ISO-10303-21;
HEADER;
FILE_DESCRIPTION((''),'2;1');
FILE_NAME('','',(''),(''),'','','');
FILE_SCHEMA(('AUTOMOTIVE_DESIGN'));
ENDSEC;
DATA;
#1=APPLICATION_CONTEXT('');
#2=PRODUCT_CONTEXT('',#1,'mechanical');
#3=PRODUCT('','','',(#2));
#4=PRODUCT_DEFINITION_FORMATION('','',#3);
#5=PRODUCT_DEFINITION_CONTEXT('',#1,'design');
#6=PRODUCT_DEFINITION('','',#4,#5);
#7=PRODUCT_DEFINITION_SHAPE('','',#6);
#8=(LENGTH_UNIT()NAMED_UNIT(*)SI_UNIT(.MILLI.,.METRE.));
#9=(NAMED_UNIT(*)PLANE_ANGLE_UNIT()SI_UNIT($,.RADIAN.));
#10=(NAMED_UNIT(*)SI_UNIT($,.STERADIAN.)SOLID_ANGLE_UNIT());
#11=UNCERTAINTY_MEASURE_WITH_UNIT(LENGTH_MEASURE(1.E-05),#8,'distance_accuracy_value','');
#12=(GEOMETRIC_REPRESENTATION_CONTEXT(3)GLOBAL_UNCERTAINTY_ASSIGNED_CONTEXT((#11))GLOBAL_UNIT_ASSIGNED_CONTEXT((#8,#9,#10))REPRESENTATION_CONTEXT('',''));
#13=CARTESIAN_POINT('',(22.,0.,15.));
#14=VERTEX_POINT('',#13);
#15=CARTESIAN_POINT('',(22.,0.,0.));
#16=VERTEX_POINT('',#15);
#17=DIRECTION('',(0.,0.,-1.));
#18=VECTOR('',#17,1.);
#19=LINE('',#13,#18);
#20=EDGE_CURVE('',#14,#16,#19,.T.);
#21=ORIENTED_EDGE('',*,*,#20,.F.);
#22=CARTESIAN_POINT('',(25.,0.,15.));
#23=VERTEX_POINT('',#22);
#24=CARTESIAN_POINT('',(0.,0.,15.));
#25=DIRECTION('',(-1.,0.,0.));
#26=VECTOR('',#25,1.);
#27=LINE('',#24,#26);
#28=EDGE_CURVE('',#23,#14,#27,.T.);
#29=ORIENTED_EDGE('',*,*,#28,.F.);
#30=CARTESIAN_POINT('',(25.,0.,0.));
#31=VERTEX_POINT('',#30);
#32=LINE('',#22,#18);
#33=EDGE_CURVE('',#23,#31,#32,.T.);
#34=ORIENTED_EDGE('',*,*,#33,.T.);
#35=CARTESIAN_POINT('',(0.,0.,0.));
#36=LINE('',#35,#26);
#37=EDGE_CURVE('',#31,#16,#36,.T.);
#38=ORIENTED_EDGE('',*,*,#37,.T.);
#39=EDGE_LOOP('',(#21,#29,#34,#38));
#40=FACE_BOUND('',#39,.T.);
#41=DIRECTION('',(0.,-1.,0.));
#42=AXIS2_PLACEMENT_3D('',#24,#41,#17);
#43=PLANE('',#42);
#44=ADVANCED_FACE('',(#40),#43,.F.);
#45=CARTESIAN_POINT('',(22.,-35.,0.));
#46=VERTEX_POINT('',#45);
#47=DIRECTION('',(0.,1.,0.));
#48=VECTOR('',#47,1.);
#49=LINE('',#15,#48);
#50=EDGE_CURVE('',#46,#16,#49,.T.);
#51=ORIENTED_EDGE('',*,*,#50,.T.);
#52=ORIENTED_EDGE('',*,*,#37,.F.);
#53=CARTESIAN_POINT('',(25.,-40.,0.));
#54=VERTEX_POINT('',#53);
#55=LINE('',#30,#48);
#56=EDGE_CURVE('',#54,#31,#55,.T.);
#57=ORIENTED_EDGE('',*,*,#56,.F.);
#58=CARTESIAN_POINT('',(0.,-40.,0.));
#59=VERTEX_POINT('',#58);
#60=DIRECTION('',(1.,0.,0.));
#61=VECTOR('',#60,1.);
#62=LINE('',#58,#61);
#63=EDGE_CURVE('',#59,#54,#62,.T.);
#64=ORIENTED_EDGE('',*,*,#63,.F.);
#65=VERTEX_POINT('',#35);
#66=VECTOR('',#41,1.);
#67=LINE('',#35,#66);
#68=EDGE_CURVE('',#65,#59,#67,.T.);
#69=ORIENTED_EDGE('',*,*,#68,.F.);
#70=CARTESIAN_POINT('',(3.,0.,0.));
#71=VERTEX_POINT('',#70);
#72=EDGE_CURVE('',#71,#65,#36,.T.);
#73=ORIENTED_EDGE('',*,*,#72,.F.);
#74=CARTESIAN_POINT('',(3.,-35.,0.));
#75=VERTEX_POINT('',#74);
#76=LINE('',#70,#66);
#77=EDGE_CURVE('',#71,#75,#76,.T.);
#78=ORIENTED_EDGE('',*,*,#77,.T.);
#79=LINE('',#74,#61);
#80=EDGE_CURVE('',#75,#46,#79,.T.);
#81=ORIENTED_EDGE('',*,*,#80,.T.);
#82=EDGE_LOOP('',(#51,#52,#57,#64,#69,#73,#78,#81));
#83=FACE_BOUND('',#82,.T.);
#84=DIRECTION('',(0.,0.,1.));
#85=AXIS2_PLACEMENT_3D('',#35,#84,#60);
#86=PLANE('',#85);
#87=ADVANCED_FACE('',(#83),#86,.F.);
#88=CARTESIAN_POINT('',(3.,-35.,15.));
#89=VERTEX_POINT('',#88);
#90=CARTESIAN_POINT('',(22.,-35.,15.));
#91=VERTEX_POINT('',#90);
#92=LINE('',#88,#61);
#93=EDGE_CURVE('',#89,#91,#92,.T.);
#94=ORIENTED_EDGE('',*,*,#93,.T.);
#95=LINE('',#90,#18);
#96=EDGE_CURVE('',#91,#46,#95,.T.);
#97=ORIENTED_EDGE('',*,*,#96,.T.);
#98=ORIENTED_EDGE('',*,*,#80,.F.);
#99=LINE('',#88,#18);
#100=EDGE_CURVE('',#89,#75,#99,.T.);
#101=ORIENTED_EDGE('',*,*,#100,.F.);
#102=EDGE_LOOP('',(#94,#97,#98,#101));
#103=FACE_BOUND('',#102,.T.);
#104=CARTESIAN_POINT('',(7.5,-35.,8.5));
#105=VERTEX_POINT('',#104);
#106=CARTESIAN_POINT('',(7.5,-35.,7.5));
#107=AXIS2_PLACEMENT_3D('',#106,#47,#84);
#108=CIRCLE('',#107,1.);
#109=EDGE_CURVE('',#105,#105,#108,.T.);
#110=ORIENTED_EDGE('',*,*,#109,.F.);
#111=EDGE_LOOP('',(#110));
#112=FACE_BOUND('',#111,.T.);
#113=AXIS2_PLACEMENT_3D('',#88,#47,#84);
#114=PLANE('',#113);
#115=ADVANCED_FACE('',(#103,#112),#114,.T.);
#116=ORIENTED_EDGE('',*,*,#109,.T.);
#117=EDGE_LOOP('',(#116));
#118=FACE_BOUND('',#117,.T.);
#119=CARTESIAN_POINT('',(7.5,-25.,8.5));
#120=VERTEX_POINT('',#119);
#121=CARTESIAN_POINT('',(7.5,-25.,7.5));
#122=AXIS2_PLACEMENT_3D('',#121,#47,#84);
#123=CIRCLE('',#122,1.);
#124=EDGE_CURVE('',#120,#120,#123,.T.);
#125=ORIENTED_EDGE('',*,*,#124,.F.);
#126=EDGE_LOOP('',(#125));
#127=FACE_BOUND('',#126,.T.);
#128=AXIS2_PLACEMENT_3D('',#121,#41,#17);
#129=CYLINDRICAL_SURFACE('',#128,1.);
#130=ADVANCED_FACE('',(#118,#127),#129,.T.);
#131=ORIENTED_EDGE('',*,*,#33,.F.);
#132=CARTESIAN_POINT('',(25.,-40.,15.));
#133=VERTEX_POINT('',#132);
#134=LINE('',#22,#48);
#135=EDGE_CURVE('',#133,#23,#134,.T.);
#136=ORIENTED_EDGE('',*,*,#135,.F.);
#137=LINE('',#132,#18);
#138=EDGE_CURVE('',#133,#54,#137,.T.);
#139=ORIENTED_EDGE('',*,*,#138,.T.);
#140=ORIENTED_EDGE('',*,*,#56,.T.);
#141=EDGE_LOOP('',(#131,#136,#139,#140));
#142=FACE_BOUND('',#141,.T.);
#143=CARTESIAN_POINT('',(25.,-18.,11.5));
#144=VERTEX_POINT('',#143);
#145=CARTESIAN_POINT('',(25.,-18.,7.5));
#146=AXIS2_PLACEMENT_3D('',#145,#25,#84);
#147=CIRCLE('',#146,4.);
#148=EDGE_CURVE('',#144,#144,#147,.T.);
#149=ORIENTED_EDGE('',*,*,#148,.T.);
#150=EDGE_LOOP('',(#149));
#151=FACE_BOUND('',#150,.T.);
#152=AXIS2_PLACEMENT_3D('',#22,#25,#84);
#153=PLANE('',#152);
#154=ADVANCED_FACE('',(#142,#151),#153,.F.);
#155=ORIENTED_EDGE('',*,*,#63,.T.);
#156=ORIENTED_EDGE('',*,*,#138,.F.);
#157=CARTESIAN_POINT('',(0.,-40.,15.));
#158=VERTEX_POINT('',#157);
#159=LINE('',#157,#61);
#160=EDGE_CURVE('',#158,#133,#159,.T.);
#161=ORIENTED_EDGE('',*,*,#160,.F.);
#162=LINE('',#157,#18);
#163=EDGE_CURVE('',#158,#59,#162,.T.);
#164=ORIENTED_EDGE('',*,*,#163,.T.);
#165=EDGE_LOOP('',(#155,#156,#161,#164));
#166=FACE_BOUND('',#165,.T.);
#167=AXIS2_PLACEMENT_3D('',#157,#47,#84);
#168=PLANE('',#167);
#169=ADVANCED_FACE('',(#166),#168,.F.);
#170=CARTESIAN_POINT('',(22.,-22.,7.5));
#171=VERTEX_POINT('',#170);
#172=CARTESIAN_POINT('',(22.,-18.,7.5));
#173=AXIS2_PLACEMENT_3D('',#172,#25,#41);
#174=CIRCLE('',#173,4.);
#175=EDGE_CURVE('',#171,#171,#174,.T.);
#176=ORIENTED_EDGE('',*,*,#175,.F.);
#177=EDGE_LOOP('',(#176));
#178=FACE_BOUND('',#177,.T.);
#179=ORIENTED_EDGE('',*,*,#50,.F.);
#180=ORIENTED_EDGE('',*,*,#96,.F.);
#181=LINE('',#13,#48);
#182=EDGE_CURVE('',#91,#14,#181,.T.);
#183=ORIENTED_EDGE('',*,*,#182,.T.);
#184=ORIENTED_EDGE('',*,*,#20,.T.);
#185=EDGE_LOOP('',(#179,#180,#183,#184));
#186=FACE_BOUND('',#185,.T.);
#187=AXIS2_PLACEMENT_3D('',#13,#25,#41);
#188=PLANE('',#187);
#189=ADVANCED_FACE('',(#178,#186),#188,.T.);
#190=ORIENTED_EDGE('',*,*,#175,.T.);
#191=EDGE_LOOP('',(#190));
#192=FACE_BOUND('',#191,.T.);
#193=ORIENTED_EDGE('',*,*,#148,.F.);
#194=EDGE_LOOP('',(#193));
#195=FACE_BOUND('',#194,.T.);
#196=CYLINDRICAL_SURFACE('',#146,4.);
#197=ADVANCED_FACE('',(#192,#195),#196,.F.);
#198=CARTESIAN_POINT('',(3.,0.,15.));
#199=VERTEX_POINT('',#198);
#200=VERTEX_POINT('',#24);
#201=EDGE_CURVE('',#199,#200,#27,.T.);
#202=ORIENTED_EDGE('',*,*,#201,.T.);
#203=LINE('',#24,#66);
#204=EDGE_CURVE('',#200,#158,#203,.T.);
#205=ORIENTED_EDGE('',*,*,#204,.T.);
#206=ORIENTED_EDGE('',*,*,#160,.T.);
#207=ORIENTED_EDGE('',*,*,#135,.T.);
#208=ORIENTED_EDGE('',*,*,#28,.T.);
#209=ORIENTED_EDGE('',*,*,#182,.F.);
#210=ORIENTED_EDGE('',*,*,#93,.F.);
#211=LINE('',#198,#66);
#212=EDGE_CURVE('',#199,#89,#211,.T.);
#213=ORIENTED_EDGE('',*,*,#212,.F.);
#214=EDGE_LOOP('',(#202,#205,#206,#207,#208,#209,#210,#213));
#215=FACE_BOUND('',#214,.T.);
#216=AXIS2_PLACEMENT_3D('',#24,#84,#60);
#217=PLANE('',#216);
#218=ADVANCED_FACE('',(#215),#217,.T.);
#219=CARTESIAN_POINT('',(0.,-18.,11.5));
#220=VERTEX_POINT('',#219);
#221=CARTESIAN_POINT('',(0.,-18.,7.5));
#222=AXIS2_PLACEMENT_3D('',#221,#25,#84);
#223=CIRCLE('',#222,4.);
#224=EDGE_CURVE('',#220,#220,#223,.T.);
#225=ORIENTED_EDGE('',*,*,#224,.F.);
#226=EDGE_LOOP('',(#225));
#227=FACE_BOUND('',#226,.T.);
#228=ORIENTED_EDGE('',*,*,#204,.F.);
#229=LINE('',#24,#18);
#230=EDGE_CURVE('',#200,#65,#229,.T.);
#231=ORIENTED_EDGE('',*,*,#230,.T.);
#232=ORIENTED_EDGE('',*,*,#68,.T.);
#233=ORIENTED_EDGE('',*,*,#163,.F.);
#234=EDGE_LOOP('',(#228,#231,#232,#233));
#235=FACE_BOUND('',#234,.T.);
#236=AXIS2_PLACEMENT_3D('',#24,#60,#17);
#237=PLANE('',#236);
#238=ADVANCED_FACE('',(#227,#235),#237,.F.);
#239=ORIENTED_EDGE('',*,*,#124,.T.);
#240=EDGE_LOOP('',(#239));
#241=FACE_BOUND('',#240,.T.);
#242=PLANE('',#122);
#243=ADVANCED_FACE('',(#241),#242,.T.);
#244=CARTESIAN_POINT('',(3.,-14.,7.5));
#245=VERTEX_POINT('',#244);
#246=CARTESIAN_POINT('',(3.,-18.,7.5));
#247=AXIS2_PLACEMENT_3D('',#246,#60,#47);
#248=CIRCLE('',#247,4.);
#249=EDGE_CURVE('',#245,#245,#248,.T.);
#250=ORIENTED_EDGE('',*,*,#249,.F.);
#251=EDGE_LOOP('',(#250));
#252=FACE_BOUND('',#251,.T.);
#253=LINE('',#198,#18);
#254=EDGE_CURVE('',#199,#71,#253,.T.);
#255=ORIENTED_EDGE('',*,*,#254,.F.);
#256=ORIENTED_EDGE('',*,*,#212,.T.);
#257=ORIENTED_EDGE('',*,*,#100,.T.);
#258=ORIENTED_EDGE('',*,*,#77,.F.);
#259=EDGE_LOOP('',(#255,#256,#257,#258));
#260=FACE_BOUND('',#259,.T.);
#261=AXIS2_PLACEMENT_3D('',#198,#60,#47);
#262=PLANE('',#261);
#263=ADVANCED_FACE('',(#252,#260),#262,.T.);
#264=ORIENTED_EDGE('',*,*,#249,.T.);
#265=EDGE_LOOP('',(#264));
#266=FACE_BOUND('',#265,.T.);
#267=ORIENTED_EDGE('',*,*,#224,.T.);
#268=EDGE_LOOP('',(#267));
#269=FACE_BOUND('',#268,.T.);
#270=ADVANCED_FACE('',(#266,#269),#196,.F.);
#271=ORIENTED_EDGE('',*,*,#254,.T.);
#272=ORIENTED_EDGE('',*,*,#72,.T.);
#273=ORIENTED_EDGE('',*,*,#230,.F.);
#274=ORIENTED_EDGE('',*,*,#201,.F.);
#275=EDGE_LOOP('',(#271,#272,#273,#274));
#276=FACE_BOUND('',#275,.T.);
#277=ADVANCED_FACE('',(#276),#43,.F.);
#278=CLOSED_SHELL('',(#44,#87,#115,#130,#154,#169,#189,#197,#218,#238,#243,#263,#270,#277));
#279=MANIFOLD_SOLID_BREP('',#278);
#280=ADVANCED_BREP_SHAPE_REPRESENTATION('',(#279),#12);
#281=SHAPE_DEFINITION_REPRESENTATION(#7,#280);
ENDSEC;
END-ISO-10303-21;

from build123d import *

# Parameters (mm, degrees)
ESQUISSE1_W             = 25
ESQUISSE1_H             = 40
BOSS_EXTRU_2_DEPTH      = 15
ESQUISSE3_W             = 19
ESQUISSE3_H             = 35
ENL_V_MAT_EXTRU_4_DEPTH = 16
ESQUISSE4_R             = 1
BOSS_EXTRU_3_DEPTH      = 10
ESQUISSE5_R             = 4
ENL_V_MAT_EXTRU_5_DEPTH = 26


with BuildPart() as part:
    # Esquisse1 → Boss.-Extru.2 (new body)
    with BuildSketch(Plane.XY):
        with Locations((12.5, -20)):
            Rectangle(ESQUISSE1_W, ESQUISSE1_H)
    extrude(amount=BOSS_EXTRU_2_DEPTH)

    # Esquisse3 → Enlèv. mat.-Extru.4 (cut, through all)
    with BuildSketch(Plane.XY):
        with Locations((12.5, -17.5)):
            Rectangle(ESQUISSE3_W, ESQUISSE3_H)
    extrude(amount=ENL_V_MAT_EXTRU_4_DEPTH, mode=Mode.SUBTRACT)

    # Esquisse4 → Boss.-Extru.3 (add)
    with BuildSketch(Plane(origin=(0, -35, 0), x_dir=(1, 0, 0), z_dir=(0, 1, 0))):
        with Locations((7.5, -7.5)):
            Circle(ESQUISSE4_R)
    extrude(amount=BOSS_EXTRU_3_DEPTH)

    # Esquisse5 → Enlèv. mat.-Extru.5 (cut, through all)
    with BuildSketch(Plane.ZY):
        with Locations((7.5, -18)):
            Circle(ESQUISSE5_R)
    extrude(amount=-ENL_V_MAT_EXTRU_5_DEPTH, mode=Mode.SUBTRACT)


solid = part.part
